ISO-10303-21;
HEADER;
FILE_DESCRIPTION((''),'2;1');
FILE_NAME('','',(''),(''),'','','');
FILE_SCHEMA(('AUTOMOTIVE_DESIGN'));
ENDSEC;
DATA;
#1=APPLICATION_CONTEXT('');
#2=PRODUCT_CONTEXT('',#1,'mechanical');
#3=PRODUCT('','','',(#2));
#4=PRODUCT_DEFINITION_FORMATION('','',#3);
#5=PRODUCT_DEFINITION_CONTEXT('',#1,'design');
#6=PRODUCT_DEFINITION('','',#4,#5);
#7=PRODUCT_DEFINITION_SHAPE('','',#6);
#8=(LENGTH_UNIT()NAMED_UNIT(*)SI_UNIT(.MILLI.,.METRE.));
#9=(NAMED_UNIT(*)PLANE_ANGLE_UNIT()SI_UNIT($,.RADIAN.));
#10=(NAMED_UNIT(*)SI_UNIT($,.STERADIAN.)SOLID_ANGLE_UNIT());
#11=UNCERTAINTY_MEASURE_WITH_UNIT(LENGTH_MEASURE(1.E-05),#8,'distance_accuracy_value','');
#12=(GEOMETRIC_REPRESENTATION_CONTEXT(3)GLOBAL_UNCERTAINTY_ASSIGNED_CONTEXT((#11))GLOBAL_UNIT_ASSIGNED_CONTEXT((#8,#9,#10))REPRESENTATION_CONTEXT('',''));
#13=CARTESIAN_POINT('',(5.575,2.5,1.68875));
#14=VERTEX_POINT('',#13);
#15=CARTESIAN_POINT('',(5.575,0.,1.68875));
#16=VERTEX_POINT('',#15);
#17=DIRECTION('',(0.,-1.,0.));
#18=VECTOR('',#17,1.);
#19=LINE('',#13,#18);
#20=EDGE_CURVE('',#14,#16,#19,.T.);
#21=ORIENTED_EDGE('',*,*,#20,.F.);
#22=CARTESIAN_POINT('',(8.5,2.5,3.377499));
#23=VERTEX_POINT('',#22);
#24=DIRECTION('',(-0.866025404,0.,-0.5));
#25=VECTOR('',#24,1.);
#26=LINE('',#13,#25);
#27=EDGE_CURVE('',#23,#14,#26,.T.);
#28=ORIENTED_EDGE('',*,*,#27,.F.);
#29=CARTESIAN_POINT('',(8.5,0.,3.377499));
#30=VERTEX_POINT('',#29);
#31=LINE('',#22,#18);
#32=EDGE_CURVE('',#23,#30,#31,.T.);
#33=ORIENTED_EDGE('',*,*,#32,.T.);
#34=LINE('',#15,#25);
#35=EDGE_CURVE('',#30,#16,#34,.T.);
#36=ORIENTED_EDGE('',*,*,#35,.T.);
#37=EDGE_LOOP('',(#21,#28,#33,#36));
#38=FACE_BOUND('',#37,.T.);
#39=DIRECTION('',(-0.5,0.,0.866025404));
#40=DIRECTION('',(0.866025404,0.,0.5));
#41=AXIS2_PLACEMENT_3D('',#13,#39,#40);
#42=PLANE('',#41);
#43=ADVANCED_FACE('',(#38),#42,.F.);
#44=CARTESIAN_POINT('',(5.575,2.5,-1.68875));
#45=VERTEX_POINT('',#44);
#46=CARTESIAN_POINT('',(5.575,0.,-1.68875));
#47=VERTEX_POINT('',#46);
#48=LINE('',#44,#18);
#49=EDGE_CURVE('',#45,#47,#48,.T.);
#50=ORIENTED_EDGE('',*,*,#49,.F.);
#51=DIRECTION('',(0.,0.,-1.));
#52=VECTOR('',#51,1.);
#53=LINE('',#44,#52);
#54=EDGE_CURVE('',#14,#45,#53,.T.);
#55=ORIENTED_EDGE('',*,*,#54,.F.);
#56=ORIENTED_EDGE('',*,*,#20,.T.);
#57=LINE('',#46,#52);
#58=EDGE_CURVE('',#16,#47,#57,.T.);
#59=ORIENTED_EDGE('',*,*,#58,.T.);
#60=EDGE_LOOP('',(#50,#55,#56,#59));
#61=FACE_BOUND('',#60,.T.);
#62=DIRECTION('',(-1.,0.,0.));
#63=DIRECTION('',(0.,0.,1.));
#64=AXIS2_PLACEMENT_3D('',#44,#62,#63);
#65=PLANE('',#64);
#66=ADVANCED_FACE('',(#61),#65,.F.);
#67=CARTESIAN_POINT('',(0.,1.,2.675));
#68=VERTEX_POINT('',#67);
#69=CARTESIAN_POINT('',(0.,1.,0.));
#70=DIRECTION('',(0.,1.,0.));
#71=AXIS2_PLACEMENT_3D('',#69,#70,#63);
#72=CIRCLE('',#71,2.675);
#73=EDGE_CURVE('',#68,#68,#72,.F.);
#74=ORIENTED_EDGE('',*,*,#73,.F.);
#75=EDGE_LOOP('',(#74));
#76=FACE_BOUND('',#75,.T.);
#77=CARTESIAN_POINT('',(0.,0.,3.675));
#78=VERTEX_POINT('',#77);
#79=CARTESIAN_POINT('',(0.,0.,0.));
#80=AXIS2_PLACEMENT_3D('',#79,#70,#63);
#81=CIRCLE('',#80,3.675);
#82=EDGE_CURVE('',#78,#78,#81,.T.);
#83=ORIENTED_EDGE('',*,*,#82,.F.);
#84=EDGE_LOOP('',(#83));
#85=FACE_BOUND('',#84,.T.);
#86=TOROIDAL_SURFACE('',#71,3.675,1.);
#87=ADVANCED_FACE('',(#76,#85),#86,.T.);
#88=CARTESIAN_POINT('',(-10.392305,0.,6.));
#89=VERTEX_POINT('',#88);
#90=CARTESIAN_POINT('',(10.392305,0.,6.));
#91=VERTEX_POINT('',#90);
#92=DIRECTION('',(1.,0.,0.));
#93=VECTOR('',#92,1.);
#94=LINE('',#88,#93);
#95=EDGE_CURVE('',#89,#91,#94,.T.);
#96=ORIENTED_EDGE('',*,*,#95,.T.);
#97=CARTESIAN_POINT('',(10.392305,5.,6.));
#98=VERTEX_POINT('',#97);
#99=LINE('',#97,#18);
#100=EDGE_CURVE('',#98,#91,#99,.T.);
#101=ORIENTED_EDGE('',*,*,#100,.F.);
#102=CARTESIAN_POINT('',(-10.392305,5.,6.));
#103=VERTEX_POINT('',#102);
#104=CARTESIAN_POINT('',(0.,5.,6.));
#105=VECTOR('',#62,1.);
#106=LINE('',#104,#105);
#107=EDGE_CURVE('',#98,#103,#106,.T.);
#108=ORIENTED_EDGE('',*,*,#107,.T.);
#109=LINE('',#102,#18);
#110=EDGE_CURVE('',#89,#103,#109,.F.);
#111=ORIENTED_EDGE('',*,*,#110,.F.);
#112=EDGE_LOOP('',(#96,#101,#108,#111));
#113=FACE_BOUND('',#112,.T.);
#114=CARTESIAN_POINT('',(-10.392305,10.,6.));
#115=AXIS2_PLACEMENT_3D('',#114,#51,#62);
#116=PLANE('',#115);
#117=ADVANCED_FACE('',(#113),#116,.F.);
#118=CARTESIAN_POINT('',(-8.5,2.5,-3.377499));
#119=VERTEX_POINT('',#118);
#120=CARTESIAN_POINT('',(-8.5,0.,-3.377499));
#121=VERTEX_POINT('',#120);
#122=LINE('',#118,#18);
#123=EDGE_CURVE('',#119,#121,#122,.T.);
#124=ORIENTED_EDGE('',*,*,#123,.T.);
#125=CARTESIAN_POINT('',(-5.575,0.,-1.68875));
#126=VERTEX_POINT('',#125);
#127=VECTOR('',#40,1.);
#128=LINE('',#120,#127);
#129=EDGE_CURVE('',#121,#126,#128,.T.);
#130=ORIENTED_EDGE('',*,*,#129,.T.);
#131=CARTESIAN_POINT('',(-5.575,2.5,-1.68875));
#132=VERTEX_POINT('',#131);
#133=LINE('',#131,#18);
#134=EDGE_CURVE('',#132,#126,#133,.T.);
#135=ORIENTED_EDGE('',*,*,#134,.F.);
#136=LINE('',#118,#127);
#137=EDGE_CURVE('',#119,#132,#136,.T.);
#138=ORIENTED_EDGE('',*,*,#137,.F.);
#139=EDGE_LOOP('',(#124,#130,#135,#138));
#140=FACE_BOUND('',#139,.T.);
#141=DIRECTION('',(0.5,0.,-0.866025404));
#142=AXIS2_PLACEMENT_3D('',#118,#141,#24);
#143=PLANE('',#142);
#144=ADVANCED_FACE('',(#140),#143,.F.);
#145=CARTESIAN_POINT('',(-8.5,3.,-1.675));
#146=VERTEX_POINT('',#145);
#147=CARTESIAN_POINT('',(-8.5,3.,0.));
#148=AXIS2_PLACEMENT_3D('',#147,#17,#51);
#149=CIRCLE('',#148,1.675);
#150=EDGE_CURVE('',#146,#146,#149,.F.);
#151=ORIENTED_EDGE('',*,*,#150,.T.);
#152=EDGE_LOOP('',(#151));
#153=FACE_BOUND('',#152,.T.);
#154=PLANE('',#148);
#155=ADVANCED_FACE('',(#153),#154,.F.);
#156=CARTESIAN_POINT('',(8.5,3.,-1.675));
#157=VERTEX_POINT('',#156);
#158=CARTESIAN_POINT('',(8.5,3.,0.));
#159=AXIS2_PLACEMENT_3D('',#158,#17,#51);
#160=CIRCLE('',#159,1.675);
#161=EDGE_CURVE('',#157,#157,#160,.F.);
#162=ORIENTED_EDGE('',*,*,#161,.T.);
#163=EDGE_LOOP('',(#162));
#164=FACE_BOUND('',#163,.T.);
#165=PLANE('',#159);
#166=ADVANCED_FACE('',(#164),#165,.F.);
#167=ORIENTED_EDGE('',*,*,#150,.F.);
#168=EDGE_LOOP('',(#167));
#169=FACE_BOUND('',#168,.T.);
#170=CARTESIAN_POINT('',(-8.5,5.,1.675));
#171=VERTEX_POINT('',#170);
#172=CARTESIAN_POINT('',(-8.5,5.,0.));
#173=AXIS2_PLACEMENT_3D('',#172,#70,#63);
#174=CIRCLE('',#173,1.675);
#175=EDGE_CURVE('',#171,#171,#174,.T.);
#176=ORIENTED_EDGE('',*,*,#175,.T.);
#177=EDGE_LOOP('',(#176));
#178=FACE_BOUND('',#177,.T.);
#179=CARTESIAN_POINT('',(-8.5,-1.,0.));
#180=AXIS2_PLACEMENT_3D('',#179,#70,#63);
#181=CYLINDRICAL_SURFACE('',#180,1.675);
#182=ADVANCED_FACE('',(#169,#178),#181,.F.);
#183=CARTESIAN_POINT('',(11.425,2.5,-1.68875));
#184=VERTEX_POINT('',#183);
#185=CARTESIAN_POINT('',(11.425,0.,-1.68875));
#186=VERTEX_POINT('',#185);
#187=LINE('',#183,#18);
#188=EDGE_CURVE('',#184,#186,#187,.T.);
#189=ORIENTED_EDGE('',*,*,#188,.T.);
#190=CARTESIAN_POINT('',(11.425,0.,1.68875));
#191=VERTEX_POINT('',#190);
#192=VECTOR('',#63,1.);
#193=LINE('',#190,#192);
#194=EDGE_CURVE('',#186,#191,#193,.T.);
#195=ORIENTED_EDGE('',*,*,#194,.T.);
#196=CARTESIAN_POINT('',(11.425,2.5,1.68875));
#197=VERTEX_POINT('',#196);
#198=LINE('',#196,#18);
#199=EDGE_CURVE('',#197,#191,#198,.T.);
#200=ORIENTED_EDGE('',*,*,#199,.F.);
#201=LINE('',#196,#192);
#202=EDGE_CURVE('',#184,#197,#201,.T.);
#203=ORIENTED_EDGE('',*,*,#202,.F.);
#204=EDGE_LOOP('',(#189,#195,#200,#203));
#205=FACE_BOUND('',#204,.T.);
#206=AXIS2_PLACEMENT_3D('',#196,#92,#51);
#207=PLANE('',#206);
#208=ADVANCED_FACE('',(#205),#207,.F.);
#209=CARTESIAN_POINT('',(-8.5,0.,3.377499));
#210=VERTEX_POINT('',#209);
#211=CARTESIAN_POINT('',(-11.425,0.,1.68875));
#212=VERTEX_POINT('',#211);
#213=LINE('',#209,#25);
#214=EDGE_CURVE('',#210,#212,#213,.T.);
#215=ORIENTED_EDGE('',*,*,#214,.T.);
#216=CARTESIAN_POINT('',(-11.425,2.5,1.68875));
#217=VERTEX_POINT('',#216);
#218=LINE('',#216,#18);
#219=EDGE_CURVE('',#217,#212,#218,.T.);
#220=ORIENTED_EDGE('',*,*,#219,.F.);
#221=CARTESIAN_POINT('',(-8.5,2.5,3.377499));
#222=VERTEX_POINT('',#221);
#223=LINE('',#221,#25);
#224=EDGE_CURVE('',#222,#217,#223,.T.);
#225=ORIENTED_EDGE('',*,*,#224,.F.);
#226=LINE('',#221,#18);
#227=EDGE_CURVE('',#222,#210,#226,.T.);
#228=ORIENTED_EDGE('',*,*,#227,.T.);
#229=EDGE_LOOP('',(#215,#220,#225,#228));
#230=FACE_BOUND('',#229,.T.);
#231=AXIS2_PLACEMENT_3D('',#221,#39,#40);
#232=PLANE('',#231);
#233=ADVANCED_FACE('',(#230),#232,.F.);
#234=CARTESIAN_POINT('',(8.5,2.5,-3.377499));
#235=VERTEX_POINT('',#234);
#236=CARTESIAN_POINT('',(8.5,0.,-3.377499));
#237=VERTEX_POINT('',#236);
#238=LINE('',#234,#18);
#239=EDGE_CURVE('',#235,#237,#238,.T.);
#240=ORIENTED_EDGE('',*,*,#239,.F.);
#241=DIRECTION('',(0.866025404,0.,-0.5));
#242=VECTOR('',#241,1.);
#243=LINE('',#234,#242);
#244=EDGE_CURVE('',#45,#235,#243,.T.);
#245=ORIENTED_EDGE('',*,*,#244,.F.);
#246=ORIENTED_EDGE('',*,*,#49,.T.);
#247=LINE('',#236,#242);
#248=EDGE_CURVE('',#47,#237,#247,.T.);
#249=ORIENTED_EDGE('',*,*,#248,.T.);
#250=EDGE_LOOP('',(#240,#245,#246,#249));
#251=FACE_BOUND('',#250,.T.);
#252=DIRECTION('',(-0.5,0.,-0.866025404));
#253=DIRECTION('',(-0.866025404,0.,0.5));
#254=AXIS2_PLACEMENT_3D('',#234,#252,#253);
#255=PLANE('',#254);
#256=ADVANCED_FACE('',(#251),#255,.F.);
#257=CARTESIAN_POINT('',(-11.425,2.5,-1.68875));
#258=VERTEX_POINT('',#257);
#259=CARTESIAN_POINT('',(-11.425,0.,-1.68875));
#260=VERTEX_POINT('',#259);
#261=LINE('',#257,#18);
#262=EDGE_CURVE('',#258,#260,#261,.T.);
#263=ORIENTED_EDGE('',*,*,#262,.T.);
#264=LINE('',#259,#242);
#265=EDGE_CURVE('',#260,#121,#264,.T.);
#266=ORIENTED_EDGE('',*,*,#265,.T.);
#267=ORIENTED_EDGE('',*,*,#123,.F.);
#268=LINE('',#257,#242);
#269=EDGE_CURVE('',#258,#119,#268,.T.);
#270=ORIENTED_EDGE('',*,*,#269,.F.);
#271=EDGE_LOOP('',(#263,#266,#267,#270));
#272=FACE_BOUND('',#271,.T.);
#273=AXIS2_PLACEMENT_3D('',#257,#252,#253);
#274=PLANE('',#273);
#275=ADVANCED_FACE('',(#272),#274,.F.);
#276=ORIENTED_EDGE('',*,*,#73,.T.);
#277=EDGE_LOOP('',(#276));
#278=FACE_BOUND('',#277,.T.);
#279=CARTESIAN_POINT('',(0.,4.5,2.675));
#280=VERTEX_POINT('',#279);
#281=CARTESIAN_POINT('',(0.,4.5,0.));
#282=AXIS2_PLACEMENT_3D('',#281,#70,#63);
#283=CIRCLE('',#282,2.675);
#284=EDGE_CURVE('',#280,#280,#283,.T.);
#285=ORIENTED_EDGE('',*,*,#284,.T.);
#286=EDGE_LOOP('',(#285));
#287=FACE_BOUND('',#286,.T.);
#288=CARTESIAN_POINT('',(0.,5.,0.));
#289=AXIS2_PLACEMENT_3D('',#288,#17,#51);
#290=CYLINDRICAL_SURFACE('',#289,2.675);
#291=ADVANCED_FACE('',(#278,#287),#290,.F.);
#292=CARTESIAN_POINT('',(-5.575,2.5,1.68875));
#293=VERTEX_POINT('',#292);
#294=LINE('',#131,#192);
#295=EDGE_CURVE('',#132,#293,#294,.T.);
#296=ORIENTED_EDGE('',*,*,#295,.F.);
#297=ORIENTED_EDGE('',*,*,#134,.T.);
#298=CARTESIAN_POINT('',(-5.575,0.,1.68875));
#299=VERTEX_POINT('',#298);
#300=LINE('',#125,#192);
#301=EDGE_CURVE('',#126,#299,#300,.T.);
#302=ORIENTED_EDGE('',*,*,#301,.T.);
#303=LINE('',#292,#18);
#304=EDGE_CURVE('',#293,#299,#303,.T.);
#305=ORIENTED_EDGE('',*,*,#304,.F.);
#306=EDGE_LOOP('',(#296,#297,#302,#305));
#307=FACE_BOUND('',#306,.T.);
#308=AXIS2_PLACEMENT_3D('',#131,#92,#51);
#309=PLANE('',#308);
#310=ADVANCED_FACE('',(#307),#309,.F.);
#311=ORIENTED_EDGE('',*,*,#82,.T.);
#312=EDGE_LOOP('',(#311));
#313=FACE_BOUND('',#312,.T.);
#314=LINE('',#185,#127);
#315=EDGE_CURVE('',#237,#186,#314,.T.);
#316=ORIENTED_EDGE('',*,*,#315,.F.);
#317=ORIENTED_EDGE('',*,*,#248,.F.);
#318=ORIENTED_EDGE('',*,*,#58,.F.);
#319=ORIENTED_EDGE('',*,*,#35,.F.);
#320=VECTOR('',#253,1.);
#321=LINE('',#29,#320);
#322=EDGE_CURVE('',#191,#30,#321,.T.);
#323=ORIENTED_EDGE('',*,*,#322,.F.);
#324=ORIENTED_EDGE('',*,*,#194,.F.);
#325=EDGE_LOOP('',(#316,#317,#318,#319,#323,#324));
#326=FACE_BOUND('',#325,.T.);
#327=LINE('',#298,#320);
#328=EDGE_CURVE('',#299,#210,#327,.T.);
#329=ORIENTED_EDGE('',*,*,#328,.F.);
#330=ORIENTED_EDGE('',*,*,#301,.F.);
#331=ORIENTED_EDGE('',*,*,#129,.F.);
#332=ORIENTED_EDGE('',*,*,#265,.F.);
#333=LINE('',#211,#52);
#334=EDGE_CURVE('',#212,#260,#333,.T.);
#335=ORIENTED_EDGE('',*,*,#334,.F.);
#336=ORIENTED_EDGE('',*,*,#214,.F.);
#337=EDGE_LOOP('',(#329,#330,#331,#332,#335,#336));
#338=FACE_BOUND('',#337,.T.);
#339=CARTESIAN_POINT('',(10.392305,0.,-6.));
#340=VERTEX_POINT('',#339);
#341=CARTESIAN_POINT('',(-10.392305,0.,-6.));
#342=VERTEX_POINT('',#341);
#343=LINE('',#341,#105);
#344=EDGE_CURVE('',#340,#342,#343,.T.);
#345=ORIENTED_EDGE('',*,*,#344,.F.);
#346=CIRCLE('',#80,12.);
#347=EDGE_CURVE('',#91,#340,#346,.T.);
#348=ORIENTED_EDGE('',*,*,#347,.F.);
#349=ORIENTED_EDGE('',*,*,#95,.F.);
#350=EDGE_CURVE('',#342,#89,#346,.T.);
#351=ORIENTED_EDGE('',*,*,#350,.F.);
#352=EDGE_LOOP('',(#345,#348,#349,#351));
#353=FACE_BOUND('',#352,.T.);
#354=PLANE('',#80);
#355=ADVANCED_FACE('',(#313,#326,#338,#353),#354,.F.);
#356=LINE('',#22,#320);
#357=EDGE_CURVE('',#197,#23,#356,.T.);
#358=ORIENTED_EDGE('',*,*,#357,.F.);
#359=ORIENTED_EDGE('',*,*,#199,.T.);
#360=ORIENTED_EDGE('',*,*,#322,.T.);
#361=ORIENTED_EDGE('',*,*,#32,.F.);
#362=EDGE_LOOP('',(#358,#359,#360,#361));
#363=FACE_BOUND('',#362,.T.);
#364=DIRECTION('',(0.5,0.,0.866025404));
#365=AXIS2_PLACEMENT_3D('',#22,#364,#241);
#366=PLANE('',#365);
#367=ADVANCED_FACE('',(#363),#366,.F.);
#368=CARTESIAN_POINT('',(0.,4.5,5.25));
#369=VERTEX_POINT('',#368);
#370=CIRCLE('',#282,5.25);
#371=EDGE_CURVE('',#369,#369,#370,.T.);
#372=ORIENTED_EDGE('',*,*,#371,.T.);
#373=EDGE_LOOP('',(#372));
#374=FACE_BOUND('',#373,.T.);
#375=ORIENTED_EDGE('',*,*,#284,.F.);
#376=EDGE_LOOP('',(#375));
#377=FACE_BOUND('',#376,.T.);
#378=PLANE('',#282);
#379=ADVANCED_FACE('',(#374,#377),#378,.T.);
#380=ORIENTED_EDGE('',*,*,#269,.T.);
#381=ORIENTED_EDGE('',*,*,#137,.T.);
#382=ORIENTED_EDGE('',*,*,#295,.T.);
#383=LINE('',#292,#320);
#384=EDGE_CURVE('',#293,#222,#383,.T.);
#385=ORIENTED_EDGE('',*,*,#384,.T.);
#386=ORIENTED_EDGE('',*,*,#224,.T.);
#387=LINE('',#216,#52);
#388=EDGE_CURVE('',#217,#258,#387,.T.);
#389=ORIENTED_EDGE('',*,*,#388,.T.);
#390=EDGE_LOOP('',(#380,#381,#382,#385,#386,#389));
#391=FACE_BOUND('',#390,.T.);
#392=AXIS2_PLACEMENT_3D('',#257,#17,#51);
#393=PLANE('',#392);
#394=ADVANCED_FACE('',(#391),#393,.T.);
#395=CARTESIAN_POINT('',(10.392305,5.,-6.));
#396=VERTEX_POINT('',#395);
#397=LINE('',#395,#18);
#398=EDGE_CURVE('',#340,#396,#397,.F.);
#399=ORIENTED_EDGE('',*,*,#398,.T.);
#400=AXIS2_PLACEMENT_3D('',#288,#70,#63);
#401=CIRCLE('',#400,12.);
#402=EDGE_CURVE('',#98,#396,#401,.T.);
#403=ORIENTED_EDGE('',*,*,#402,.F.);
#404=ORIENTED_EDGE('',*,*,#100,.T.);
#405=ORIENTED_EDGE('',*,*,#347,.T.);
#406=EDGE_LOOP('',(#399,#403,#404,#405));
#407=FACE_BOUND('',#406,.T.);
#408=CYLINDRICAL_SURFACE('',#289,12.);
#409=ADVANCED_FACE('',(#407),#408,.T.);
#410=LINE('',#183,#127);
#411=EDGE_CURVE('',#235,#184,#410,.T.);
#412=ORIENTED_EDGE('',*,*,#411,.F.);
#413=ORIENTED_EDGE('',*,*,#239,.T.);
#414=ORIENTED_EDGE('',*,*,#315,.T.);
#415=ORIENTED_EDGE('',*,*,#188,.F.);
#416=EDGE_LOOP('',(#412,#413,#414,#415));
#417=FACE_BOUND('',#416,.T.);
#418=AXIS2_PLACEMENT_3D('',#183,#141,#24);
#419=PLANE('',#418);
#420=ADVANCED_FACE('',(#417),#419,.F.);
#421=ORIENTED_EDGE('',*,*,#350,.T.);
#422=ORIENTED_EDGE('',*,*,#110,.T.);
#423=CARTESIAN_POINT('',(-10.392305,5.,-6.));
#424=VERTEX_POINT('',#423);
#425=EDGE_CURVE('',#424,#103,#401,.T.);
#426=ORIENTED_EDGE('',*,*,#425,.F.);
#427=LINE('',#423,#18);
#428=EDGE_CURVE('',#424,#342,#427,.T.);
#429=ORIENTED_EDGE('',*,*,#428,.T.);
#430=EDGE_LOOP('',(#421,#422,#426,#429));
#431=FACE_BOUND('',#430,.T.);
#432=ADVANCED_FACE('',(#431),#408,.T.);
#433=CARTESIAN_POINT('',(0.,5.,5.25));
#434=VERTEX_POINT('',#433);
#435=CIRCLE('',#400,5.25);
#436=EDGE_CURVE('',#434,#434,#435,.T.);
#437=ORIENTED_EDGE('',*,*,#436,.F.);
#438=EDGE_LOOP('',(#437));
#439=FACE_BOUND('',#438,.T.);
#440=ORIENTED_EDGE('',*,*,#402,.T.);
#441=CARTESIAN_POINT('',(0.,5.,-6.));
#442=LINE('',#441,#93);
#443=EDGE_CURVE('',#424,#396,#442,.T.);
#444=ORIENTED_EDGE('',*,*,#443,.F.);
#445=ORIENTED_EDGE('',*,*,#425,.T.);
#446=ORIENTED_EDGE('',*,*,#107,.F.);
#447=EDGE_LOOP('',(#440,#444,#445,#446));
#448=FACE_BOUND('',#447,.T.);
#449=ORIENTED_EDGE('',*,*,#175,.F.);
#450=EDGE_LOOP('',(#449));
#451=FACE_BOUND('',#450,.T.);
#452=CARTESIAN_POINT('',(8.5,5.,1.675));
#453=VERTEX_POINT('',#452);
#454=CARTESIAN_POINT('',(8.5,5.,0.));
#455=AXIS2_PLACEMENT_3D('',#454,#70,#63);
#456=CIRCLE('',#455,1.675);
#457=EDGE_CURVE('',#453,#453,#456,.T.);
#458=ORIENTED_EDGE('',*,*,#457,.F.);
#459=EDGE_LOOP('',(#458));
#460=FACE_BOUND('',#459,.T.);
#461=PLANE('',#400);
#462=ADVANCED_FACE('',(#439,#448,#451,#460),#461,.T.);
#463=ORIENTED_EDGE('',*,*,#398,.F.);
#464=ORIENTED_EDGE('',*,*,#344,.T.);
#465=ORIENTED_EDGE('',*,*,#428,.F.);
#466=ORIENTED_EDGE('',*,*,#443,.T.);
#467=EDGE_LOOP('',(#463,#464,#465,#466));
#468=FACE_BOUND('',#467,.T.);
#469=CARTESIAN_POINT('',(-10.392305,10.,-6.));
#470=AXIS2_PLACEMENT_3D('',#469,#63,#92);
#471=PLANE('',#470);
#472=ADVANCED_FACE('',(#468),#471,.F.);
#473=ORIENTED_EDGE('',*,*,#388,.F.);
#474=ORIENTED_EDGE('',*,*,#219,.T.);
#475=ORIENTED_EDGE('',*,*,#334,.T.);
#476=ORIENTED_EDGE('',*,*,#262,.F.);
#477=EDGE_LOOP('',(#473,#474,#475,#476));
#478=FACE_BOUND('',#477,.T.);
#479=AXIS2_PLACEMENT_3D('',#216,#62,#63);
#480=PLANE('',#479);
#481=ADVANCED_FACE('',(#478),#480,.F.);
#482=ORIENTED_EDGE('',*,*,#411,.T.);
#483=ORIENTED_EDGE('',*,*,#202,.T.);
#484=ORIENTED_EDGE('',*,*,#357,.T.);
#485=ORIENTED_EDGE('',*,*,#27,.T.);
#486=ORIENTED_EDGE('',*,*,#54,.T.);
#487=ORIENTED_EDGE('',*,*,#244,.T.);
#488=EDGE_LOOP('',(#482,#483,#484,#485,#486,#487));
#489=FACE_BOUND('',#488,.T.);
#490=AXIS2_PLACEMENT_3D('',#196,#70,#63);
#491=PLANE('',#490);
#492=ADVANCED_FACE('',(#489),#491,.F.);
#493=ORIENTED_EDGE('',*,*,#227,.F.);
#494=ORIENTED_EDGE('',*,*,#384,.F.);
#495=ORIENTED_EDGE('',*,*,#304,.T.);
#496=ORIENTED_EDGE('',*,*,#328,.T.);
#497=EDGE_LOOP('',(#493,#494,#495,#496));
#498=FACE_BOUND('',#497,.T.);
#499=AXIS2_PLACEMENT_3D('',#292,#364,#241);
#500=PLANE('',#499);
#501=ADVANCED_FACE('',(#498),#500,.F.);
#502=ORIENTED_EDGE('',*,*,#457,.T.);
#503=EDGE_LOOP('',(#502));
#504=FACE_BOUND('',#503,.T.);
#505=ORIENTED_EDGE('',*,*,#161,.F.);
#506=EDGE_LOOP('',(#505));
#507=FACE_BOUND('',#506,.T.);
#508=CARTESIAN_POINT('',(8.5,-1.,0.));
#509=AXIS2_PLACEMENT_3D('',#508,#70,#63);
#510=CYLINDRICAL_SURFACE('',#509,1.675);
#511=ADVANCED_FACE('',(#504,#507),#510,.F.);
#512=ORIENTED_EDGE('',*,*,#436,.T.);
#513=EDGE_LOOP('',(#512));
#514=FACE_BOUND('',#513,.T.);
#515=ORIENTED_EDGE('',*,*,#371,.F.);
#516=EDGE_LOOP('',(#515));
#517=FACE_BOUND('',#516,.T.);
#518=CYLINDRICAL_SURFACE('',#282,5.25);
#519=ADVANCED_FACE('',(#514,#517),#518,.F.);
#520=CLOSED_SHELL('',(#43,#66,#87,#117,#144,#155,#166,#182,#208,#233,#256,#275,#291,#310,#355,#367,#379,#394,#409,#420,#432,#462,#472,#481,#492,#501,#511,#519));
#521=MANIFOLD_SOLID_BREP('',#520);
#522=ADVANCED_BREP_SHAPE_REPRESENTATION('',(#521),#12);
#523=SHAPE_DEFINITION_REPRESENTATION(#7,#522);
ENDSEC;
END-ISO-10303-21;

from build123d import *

# Parameters (mm, degrees)
SKETCH1_R           = 12
SKETCH1_R_2         = 2.675
BOSS_EXTRUDE1_DEPTH = 5
SKETCH3_R           = 1.675
CUT_EXTRUDE1_DEPTH  = 6
CUT_EXTRUDE2_DEPTH  = 2.5
CUT_EXTRUDE4_DEPTH  = 10
FILLET1_R           = 1
SKETCH7_R           = 5.25
CUT_EXTRUDE5_DEPTH  = 0.5
SKETCH8_R           = 1.675
BOSS_EXTRUDE2_DEPTH = 0.5


with BuildPart() as part:
    # Sketch1 → Boss-Extrude1 (new body)
    with BuildSketch(Plane(origin=(0, 0, 0), x_dir=(1, 0, 0), z_dir=(0, 1, 0))):
        Circle(SKETCH1_R)
        Circle(SKETCH1_R_2, mode=Mode.SUBTRACT)
    extrude(amount=BOSS_EXTRUDE1_DEPTH)

    # Sketch3 → Cut-Extrude1 (cut)
    with BuildSketch(Plane(origin=(0, 5, 0), x_dir=(1, 0, 0), z_dir=(0, 1, 0))):
        with Locations((-8.5, 0)):
            Circle(SKETCH3_R)
        with Locations((8.5, 0)):
            Circle(SKETCH3_R)
    extrude(amount=-CUT_EXTRUDE1_DEPTH, mode=Mode.SUBTRACT)

    # Sketch4 → Cut-Extrude2 (cut)
    with BuildSketch(Plane.XZ):
        Polygon((-11.425, -1.688749537), (-8.5, -3.377499075), (-5.575, -1.688749537), (-5.575, 1.688749537), (-8.5, 3.377499075), (-11.425, 1.688749537), align=None)
        Polygon((11.425, 1.688749537), (11.425, -1.688749537), (8.5, -3.377499075), (5.575, -1.688749537), (5.575, 1.688749537), (8.5, 3.377499075), align=None)
    extrude(amount=-CUT_EXTRUDE2_DEPTH, mode=Mode.SUBTRACT)

    # Sketch6 → Cut-Extrude4 (cut)
    with BuildSketch(Plane.XZ):
        with BuildLine():
            Line((-10.392304845, 6), (10.392304845, 6))
            ThreePointArc((10.392304845, 6), (0, 12), (-10.392304845, 6))
        make_face()
        with BuildLine():
            Line((-10.392304845, -6), (10.392304845, -6))
            ThreePointArc((10.392304845, -6), (0, -12), (-10.392304845, -6))
        make_face()
    extrude(amount=-CUT_EXTRUDE4_DEPTH, mode=Mode.SUBTRACT)

    # Fillet1
    fillet1_edges = [part.edges().sort_by_distance(p)[0] for p in [
        (-2.675, 0, 0),
    ]]
    fillet(fillet1_edges, radius=FILLET1_R)

    # Sketch7 → Cut-Extrude5 (cut)
    with BuildSketch(Plane(origin=(0, 5, 0), x_dir=(1, 0, 0), z_dir=(0, 1, 0))):
        Circle(SKETCH7_R)
    extrude(amount=-CUT_EXTRUDE5_DEPTH, mode=Mode.SUBTRACT)

    # Sketch8 → Boss-Extrude2 (add)
    with BuildSketch(Plane.XZ.offset(-2.5)):
        with Locations((8.5, 0)):
            Circle(SKETCH8_R)
        with Locations((-8.5, 0)):
            Circle(SKETCH8_R)
    extrude(amount=-BOSS_EXTRUDE2_DEPTH)


solid = part.part
